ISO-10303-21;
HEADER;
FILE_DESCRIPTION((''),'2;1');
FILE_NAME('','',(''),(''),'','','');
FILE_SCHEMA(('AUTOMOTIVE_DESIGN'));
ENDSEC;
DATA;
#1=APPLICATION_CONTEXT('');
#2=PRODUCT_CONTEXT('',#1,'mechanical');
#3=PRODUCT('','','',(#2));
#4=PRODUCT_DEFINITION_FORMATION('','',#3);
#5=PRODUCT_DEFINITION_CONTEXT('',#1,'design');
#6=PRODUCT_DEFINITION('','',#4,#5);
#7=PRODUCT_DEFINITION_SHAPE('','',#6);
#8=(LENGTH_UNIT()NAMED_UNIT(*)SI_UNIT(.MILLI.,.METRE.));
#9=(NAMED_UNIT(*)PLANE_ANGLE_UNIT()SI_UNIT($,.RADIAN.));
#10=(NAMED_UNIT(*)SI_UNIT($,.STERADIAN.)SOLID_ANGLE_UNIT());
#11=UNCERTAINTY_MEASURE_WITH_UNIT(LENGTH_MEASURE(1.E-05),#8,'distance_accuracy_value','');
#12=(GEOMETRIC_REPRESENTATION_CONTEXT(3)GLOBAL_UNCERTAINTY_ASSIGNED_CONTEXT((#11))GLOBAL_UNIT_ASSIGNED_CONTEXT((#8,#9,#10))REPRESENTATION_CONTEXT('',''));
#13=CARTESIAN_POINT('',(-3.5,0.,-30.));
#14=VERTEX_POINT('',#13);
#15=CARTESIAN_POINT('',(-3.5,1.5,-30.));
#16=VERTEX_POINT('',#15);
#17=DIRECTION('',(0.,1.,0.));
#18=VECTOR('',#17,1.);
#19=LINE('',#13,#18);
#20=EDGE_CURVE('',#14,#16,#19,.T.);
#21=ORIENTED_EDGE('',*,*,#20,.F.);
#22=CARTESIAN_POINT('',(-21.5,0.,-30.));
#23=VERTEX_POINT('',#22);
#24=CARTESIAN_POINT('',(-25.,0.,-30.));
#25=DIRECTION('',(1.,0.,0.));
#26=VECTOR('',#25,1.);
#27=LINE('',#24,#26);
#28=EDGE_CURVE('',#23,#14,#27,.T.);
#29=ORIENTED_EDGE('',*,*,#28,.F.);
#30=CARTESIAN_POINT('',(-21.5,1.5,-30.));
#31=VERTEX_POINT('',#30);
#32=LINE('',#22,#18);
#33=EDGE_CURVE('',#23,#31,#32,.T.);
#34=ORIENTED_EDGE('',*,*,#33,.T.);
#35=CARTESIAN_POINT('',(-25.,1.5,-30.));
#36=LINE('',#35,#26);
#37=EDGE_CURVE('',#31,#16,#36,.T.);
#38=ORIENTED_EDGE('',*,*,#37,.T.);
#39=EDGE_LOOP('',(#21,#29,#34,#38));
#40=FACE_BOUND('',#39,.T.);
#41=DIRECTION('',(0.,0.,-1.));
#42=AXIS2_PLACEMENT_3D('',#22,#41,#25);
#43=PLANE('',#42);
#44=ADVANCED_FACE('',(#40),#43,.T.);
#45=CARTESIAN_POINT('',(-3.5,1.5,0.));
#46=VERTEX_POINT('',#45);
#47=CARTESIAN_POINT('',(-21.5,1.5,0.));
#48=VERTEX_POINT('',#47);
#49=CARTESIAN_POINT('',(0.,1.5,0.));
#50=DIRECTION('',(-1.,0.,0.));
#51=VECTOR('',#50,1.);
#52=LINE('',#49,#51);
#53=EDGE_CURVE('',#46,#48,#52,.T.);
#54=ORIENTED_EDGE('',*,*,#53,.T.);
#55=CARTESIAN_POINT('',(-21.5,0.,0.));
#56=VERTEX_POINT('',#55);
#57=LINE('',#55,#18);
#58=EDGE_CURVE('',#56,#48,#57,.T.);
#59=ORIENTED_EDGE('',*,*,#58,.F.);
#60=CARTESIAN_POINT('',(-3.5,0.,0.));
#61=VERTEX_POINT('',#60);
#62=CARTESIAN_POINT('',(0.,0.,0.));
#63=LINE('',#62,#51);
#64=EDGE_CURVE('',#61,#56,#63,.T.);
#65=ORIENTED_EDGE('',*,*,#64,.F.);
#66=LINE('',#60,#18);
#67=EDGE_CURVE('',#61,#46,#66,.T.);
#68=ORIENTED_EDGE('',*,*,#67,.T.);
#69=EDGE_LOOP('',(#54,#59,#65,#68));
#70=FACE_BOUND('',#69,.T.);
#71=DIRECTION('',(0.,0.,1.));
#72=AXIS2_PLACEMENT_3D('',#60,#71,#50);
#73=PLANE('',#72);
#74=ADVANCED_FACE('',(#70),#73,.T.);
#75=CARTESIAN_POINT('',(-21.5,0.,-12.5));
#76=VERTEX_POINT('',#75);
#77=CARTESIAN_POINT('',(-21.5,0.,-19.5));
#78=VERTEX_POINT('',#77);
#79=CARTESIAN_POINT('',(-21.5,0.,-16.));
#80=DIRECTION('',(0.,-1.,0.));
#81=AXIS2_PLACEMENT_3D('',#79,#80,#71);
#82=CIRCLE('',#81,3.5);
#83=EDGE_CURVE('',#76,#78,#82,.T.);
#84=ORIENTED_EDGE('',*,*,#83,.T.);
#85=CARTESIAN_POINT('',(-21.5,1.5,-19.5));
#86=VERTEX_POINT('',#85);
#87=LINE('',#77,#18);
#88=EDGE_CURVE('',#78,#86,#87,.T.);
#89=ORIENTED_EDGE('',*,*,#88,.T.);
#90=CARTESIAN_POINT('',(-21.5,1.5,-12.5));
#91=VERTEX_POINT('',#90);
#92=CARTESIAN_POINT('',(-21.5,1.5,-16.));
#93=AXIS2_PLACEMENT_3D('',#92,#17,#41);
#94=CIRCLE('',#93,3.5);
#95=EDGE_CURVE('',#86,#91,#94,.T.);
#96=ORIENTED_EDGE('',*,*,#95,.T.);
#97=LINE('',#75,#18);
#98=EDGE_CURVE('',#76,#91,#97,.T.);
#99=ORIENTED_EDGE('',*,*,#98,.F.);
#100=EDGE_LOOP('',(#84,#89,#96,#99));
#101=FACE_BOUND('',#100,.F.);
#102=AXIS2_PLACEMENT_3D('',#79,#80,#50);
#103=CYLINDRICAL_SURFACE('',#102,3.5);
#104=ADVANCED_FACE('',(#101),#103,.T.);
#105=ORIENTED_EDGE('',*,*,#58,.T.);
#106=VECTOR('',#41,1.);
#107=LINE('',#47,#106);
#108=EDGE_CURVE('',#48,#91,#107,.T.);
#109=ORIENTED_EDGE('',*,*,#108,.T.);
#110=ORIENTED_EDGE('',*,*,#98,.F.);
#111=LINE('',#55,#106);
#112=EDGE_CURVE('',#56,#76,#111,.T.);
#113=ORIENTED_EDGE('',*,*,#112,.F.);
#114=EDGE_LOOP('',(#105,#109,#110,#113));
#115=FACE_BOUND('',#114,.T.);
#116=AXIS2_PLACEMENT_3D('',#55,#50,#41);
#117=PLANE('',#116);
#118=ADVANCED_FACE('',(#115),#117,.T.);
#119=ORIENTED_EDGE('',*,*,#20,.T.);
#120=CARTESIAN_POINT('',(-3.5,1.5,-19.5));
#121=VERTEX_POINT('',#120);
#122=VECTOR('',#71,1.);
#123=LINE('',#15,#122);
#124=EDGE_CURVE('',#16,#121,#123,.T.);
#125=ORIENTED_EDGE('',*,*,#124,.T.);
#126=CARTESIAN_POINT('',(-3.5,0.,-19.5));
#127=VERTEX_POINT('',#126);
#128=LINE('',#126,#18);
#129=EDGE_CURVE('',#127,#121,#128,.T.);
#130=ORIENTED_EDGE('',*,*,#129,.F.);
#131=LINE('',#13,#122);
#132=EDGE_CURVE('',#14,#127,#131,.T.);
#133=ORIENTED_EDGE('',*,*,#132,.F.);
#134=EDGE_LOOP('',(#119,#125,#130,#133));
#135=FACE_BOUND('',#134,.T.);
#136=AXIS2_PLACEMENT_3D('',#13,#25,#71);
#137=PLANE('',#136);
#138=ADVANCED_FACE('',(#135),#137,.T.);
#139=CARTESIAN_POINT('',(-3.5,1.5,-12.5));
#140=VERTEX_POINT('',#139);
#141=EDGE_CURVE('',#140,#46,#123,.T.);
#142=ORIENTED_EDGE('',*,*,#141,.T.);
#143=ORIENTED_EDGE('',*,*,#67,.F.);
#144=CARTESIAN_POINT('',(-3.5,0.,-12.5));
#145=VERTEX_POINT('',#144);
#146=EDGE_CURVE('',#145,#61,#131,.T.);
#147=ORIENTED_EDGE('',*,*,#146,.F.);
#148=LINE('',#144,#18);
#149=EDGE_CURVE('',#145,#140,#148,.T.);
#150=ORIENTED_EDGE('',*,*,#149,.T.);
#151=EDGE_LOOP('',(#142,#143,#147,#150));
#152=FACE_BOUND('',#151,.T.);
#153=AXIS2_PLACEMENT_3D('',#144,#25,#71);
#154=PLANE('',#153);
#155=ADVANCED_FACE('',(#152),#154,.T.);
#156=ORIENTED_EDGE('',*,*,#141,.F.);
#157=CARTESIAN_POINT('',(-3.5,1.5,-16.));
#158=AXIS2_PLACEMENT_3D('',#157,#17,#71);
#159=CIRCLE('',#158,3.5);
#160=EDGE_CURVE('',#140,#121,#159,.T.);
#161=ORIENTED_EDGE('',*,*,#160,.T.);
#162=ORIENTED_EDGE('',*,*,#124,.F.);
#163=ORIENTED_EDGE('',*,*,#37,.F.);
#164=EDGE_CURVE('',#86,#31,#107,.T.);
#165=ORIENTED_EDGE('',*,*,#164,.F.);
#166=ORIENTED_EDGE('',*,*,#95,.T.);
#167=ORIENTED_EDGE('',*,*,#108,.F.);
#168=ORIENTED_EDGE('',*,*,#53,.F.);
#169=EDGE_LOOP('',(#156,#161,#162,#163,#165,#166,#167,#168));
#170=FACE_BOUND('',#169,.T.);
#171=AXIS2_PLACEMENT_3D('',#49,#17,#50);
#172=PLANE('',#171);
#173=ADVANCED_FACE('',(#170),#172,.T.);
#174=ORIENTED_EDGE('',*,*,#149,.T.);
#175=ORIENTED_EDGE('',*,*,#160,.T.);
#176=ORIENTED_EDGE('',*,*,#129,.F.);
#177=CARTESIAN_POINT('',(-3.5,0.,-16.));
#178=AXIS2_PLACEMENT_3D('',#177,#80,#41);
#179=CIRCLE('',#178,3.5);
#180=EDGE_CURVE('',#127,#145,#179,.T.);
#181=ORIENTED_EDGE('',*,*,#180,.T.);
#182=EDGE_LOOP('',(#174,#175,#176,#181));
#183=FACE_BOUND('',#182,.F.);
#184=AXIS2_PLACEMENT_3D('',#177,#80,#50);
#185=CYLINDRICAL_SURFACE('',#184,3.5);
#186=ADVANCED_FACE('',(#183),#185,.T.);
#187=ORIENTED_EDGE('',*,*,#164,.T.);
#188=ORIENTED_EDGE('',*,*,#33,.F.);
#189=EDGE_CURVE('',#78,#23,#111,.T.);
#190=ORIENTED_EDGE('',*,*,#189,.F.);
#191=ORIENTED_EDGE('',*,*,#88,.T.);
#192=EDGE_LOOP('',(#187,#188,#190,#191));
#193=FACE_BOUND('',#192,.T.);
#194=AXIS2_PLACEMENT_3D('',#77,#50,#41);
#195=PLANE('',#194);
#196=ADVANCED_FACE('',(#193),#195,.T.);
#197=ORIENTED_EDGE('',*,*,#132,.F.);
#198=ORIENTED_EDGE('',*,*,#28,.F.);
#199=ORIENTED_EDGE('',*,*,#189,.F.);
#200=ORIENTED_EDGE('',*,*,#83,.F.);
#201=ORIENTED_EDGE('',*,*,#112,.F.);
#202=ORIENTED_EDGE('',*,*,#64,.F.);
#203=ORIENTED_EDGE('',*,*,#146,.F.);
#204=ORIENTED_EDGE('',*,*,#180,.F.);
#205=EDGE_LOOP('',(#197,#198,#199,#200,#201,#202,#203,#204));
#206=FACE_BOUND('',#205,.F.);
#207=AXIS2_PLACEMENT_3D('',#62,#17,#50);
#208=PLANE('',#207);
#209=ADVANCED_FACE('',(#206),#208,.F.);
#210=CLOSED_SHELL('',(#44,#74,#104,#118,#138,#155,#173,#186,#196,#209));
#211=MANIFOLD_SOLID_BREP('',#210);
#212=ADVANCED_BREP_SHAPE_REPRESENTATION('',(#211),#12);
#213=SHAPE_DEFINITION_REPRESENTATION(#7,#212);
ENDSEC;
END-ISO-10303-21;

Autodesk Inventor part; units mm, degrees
ref_plane "YZ Plane" through (0, 0, 0) normal (1, 0, 0) x (0, 1, 0)
ref_plane "XZ Plane" through (0, 0, 0) normal (0, 1, 0) x (-1, 0, 0)
ref_plane "XY Plane" through (0, 0, 0) normal (0, 0, 1) x (1, 0, 0)
sketch "スケッチ1" plane through (0, 0, 0) normal (0, 1, 0) x (-1, 0, 0)
  line L0 (0, 0) -> (25, 0)
  line L1 (25, 0) -> (25, -30)
  line L2 (25, -30) -> (0, -30)
  line L3 (0, -30) -> (0, 0)
  circle A0 centre (21.5, -16) radius 3.5
  circle A1 centre (3.5, -16) radius 3.5
  line L4 (21.5, 0) -> (21.5, -30)
  line L5 (3.5, -30) -> (3.5, 0)
  point P0 (21.5, -19.5)
  point P1 (21.5, -12.5)
  point P2 (3.5, -12.5)
  point P3 (3.5, -19.5)
  dimension "d0" = 25
  dimension "d1" = 30
  dimension "d2" = 7
  dimension "d3" = 16
extrude "押し出し1" add sketch "スケッチ1" along normal blind 1.5 contours L0 L4 A0 L2 L5 A1 | A1 L5 | A1 L5 | L4 A0 | A0 L4
properties part number "type_C"
